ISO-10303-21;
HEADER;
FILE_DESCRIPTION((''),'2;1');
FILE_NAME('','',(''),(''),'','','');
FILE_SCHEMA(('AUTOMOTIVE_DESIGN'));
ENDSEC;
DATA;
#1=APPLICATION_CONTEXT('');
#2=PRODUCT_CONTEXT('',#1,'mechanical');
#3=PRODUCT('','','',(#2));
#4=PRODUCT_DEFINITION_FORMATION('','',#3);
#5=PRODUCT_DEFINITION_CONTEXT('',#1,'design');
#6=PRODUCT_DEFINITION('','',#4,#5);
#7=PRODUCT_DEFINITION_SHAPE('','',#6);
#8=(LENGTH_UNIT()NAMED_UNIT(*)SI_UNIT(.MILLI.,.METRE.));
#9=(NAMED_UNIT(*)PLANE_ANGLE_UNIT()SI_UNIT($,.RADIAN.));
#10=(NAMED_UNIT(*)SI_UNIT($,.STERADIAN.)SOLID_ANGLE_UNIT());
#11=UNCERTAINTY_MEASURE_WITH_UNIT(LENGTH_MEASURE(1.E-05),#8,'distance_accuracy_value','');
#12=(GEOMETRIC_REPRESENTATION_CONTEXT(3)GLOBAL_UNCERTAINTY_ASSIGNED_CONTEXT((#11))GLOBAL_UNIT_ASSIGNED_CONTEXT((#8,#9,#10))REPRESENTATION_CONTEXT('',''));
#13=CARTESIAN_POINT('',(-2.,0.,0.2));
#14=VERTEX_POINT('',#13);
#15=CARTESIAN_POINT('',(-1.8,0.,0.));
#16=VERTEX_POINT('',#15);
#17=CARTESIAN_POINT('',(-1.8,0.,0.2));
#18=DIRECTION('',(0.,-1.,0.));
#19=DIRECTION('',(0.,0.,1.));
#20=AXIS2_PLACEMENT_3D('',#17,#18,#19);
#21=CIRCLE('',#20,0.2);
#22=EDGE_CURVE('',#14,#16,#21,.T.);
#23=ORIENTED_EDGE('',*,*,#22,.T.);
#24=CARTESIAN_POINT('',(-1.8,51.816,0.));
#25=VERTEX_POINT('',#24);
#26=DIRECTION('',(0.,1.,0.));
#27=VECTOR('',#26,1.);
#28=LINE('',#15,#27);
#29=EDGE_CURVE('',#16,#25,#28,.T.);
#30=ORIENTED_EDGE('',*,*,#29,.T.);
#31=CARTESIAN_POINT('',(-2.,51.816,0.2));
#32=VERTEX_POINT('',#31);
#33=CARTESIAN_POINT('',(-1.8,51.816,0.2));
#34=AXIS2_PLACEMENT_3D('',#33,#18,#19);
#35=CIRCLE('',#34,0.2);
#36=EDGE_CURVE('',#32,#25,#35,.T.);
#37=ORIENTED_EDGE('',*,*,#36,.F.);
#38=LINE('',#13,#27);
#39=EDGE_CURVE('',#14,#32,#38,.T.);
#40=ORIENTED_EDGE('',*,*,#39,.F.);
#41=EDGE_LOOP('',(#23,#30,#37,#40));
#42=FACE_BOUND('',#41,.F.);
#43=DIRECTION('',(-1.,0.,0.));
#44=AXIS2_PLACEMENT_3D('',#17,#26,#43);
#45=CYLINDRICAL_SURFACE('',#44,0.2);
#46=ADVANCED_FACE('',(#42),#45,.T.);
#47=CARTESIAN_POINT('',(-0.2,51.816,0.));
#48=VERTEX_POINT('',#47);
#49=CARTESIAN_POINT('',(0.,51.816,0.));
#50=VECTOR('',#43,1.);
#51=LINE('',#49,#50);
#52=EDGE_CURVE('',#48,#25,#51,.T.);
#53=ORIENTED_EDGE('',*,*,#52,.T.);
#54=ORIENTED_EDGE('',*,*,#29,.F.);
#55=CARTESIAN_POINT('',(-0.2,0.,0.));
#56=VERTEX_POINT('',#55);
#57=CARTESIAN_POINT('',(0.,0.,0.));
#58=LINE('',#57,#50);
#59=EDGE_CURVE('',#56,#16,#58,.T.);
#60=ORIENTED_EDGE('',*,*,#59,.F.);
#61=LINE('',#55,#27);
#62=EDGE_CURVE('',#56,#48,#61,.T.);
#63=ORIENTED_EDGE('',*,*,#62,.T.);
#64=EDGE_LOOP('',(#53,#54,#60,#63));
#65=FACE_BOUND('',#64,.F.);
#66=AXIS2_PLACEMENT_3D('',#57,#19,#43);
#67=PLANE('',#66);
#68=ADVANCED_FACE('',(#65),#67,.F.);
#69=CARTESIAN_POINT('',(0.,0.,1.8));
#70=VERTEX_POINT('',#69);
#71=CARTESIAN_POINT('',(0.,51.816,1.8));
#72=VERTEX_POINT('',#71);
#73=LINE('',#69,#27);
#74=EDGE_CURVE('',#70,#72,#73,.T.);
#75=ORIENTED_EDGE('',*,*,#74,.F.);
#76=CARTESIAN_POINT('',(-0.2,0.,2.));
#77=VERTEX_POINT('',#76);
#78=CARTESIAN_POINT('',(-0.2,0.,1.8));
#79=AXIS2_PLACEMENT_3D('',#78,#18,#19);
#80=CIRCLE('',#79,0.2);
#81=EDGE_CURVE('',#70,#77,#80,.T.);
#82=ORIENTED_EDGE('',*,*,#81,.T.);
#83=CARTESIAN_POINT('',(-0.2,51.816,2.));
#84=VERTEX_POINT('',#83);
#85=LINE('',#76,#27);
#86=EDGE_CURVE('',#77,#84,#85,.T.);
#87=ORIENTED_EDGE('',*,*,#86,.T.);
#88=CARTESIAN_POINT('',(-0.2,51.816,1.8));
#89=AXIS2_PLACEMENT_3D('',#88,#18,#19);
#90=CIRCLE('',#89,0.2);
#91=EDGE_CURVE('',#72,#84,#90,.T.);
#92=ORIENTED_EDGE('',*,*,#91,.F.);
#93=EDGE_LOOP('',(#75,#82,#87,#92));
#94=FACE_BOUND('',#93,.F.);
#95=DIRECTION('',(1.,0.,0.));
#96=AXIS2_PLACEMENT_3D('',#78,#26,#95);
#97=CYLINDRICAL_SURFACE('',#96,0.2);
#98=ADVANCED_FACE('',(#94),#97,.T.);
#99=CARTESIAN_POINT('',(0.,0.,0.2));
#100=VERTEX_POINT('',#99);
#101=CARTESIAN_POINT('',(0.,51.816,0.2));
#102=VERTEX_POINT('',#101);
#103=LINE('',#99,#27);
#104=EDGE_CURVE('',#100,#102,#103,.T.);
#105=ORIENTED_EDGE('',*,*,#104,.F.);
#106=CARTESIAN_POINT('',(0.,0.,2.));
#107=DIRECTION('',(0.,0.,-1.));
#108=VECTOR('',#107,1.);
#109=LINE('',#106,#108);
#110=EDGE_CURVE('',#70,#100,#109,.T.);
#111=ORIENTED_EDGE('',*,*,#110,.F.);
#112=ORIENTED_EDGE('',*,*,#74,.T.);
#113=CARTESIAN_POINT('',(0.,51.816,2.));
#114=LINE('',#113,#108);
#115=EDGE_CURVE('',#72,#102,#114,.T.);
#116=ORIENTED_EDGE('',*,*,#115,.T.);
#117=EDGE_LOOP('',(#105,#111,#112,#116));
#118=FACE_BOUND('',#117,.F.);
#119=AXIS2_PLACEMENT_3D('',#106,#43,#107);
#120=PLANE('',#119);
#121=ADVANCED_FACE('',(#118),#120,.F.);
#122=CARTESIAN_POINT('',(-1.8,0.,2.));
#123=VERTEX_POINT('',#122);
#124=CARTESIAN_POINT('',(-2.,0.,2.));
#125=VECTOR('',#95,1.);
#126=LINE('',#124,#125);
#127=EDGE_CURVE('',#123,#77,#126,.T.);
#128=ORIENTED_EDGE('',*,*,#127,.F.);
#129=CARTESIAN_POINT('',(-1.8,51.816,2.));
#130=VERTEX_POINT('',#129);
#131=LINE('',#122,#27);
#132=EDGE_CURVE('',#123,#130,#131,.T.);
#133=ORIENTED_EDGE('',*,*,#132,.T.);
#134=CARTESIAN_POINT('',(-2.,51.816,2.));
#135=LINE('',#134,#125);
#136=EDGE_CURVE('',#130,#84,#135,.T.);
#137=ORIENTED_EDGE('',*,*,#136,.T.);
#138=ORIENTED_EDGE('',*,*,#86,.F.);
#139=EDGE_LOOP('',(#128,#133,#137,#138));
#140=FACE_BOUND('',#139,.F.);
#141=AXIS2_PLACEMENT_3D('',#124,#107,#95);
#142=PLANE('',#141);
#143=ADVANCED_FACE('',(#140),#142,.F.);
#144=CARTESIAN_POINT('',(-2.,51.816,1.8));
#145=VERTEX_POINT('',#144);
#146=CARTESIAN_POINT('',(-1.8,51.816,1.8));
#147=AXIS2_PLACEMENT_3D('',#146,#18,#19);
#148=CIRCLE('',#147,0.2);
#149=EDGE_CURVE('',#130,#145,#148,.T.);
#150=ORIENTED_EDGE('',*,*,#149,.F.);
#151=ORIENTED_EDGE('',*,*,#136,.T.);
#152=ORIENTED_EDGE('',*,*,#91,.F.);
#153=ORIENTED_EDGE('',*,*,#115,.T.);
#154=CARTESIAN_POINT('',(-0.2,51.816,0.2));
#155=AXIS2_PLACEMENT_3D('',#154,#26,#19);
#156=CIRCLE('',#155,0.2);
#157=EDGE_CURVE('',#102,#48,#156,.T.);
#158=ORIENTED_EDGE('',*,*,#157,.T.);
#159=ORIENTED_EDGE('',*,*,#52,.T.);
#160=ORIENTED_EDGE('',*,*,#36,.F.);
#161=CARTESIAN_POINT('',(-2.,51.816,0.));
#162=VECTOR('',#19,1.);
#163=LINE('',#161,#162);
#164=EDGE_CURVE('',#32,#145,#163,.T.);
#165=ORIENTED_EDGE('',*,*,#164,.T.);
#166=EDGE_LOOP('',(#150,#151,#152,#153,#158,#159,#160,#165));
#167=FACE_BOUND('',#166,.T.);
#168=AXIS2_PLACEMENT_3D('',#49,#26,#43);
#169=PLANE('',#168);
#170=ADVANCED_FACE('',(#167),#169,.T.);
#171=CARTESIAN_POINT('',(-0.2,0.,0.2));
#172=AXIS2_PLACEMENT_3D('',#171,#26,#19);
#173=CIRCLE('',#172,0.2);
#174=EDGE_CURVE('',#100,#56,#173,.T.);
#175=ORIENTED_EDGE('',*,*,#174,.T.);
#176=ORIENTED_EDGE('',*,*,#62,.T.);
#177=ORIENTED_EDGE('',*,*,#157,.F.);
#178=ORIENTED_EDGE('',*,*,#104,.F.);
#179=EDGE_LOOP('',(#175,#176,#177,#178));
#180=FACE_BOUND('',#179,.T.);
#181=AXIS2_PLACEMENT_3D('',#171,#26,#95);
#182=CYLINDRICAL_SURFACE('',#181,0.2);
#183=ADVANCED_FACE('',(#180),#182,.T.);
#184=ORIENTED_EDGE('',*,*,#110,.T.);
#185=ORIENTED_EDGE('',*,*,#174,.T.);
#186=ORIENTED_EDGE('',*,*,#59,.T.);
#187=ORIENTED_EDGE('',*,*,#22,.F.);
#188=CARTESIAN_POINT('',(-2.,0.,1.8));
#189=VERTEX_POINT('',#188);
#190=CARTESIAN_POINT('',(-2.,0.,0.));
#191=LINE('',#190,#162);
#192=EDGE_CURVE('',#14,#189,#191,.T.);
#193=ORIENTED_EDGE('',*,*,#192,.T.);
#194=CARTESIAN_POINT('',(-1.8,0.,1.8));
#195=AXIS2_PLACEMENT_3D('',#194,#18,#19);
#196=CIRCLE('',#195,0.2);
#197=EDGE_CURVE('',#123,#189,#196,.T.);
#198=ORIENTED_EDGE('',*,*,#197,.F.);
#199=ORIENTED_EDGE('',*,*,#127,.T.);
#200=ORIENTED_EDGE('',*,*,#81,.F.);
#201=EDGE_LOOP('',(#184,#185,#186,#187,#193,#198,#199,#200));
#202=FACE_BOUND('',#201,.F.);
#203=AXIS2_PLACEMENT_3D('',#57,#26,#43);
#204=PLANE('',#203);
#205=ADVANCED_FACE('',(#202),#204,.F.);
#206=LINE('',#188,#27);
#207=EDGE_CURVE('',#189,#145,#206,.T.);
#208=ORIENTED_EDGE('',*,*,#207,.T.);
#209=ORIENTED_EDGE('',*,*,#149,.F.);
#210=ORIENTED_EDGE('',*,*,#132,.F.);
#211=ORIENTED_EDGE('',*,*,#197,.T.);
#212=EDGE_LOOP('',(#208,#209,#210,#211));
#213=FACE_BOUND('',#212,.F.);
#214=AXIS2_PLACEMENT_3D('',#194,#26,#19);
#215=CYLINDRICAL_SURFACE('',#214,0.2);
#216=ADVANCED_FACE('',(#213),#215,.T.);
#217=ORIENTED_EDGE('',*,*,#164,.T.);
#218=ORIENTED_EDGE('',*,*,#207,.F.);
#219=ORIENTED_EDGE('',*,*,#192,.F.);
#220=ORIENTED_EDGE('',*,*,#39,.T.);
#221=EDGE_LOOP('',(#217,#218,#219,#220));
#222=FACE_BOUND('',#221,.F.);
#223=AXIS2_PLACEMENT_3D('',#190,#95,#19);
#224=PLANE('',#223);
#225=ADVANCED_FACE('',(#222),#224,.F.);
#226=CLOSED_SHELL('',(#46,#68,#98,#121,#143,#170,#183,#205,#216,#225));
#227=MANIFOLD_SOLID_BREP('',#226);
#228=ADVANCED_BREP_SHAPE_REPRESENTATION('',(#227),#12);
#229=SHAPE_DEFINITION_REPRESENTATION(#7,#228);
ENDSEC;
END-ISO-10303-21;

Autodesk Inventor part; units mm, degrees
ref_plane "YZ Plane" through (0, 0, 0) normal (1, 0, 0) x (0, 1, 0)
ref_plane "XZ Plane" through (0, 0, 0) normal (0, 1, 0) x (-1, 0, 0)
ref_plane "XY Plane" through (0, 0, 0) normal (0, 0, 1) x (1, 0, 0)
sketch "Sketch1" plane through (0, 0, 0) normal (0, 1, 0) x (-1, 0, 0)
  line L0 (0, 0) -> (2, 0)
  line L1 (2, 0) -> (2, 2)
  line L2 (2, 2) -> (0, 2)
  line L3 (0, 2) -> (0, 0)
  dimension "d0" = 2
  dimension "d1" = 2
extrude "Extrusion1" add sketch "Sketch1" along normal blind 51.816
fillet "Fillet1" radius 0.2 4 edges at (0, 25.908, 2) (0, 25.908, 0) (-2, 25.908, 2) (-2, 25.908, 0)
properties part number "Shooter 8mm Key Primary Wheel" material "Steel"
